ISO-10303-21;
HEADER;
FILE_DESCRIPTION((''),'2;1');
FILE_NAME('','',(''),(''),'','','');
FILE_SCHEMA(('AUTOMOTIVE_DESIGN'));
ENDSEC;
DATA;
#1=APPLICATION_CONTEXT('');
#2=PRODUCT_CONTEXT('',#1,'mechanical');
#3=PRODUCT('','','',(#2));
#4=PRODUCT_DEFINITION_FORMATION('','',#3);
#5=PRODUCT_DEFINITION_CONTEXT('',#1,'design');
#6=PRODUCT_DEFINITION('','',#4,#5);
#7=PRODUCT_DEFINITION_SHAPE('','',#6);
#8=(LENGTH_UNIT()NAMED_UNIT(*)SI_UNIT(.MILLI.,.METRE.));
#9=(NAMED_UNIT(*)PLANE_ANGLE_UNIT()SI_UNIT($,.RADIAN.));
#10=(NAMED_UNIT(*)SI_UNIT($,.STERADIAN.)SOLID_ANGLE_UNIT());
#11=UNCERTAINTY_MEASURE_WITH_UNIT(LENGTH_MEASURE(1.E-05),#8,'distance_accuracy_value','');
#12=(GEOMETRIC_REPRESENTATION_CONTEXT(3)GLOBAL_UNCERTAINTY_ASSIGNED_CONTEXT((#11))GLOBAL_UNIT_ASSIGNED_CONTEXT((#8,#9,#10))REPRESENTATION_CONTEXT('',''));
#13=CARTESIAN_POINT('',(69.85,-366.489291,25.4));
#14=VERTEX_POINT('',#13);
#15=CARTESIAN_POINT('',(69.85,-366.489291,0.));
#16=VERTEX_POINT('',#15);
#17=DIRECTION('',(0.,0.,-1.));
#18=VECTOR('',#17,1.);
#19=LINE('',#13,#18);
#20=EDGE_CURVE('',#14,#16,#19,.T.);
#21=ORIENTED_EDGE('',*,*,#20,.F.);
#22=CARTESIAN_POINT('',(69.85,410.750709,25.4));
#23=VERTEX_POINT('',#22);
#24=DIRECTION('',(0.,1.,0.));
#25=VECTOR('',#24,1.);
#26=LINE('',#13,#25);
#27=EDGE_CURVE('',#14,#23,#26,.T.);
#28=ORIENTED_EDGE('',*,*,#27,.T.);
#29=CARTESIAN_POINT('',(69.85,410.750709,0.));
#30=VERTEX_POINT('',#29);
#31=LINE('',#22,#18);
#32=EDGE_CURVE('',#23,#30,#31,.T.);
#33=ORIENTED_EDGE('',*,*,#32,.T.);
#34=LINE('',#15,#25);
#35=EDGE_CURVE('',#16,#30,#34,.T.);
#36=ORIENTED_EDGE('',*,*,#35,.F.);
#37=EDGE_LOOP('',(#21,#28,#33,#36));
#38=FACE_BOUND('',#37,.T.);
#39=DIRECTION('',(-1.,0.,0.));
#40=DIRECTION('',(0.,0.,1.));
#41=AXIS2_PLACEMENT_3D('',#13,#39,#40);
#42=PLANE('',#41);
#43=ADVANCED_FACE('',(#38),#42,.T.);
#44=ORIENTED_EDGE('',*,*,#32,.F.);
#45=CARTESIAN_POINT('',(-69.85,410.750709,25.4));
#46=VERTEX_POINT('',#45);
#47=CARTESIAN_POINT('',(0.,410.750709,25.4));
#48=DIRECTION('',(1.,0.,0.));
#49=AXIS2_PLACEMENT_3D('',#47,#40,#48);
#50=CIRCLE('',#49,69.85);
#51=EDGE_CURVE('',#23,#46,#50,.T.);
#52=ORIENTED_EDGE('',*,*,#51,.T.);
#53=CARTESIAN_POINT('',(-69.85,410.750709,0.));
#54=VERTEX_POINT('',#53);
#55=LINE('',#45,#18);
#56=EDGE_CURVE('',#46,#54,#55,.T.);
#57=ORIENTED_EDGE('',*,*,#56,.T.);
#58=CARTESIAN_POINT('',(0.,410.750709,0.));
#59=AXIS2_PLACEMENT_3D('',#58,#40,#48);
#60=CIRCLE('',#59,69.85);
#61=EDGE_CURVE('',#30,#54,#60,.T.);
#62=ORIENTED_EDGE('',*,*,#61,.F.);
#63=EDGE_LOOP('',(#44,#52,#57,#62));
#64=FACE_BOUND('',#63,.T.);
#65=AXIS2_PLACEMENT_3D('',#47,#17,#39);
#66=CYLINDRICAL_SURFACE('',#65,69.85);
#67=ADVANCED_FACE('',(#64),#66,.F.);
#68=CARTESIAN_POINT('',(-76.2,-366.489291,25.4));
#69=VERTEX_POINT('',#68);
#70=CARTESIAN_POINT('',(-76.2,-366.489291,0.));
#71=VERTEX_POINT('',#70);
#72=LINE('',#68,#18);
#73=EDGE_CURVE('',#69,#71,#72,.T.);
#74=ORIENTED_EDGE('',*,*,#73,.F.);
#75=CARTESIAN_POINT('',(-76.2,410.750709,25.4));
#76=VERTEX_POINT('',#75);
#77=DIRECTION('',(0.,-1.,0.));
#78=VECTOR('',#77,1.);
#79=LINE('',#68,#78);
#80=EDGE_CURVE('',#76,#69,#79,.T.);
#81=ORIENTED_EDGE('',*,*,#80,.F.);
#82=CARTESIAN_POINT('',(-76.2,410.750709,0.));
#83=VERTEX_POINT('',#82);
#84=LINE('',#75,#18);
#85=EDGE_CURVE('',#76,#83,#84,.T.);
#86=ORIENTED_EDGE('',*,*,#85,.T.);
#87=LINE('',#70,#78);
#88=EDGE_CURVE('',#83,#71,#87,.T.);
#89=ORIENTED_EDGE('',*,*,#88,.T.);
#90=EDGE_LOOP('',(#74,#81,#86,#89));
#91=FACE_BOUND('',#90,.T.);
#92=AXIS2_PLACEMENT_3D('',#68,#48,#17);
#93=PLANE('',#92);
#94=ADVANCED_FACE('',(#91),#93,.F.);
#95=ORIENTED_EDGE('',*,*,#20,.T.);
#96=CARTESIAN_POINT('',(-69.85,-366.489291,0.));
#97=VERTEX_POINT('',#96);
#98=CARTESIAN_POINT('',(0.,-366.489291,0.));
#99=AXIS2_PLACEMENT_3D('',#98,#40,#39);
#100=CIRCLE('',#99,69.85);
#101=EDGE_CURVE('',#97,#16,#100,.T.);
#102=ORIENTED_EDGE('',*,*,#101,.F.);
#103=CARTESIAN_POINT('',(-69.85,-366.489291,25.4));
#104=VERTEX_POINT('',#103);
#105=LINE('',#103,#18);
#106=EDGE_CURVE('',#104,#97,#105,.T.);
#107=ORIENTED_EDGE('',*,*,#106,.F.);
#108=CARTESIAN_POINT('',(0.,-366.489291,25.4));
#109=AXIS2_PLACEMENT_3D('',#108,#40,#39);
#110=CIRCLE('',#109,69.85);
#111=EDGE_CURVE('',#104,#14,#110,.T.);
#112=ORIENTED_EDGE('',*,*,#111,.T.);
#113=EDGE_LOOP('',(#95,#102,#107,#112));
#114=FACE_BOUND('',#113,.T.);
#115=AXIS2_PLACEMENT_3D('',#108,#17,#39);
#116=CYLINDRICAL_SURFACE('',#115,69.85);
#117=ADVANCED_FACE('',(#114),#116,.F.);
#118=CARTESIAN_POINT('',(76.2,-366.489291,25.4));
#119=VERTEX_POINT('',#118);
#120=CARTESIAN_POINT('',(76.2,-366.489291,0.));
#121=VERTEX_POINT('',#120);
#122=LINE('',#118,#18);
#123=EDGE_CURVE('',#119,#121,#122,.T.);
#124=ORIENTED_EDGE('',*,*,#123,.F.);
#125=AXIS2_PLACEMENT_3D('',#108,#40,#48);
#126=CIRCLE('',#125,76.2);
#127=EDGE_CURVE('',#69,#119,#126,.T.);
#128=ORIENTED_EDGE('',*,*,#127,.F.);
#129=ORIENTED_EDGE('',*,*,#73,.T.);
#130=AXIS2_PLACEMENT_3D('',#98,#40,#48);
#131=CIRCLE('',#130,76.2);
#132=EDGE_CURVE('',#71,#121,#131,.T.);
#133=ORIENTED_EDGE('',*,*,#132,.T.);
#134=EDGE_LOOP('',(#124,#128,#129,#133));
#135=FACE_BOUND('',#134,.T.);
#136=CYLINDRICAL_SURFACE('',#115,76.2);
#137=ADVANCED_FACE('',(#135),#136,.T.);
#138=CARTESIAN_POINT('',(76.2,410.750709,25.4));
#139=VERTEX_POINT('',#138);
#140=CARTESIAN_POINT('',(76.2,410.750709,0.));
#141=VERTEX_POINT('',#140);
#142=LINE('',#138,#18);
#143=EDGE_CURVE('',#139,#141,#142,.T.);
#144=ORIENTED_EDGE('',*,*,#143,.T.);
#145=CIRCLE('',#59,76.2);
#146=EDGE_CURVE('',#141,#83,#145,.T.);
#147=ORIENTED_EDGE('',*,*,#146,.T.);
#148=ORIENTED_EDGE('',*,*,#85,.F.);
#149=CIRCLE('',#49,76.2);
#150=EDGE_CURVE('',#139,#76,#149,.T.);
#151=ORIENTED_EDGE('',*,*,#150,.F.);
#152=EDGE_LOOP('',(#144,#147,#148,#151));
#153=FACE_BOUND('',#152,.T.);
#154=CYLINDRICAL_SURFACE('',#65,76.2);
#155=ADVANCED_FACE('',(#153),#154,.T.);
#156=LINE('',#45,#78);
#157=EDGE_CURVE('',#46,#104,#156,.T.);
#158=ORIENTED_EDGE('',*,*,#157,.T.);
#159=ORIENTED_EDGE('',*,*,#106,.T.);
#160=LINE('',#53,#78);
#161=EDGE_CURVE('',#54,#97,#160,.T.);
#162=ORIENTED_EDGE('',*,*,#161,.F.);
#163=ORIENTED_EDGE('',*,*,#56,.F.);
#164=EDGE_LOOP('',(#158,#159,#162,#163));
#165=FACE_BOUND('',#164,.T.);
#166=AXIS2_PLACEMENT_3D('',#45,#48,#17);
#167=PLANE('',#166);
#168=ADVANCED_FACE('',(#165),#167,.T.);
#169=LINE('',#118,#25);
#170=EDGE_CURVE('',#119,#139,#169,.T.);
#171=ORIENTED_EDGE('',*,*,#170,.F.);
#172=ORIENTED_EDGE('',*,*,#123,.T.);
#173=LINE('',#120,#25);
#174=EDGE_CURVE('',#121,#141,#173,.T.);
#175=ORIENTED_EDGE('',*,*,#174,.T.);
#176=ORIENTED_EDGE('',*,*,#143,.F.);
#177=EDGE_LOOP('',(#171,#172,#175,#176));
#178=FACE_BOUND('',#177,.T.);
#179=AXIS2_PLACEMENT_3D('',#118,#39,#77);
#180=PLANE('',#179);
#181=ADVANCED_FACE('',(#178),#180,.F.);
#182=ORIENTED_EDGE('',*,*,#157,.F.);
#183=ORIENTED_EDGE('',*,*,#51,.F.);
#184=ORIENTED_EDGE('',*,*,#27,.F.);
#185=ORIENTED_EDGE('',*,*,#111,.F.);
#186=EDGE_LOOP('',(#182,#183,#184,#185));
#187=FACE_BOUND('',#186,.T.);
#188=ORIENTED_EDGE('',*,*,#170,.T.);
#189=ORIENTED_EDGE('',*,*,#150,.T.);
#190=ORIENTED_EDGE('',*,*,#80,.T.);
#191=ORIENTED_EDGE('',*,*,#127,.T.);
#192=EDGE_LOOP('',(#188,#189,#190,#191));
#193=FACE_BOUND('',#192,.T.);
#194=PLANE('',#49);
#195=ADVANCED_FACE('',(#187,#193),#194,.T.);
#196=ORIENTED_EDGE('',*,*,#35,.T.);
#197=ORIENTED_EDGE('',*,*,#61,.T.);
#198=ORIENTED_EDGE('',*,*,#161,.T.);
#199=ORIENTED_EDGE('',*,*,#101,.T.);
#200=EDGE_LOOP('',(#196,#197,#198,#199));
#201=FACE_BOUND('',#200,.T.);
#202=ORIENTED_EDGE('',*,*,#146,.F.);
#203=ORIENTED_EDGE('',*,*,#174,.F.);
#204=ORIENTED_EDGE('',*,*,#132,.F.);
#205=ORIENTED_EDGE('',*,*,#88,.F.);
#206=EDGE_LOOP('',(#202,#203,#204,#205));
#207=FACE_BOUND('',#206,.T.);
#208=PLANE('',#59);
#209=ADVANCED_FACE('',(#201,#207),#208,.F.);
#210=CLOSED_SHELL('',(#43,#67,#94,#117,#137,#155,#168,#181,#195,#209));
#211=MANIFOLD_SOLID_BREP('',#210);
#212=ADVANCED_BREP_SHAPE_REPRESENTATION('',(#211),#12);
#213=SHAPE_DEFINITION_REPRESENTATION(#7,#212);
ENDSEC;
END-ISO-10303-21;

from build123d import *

# Parameters (mm, degrees)
BOSS_EXTRUDE1_DEPTH = 25.4


with BuildPart() as part:
    # Sketch1 → Boss-Extrude1 (new body)
    with BuildSketch(Plane.XY):
        with BuildLine():
            Line((-76.2, -366.489291397), (-76.2, 410.750708603))
            ThreePointArc((-76.2, 410.750708603), (0, 486.950708603), (76.2, 410.750708603))
            Line((76.2, 410.750708603), (76.2, -366.489291397))
            ThreePointArc((76.2, -366.489291397), (0, -442.689291397), (-76.2, -366.489291397))
        make_face()
        with BuildLine():
            Line((-69.85, 410.750708603), (-69.85, -366.489291397))
            ThreePointArc((-69.85, -366.489291397), (0, -436.339291397), (69.85, -366.489291397))
            Line((69.85, -366.489291397), (69.85, 410.750708603))
            ThreePointArc((69.85, 410.750708603), (0, 480.600708603), (-69.85, 410.750708603))
        make_face(mode=Mode.SUBTRACT)
    extrude(amount=BOSS_EXTRUDE1_DEPTH)


solid = part.part
